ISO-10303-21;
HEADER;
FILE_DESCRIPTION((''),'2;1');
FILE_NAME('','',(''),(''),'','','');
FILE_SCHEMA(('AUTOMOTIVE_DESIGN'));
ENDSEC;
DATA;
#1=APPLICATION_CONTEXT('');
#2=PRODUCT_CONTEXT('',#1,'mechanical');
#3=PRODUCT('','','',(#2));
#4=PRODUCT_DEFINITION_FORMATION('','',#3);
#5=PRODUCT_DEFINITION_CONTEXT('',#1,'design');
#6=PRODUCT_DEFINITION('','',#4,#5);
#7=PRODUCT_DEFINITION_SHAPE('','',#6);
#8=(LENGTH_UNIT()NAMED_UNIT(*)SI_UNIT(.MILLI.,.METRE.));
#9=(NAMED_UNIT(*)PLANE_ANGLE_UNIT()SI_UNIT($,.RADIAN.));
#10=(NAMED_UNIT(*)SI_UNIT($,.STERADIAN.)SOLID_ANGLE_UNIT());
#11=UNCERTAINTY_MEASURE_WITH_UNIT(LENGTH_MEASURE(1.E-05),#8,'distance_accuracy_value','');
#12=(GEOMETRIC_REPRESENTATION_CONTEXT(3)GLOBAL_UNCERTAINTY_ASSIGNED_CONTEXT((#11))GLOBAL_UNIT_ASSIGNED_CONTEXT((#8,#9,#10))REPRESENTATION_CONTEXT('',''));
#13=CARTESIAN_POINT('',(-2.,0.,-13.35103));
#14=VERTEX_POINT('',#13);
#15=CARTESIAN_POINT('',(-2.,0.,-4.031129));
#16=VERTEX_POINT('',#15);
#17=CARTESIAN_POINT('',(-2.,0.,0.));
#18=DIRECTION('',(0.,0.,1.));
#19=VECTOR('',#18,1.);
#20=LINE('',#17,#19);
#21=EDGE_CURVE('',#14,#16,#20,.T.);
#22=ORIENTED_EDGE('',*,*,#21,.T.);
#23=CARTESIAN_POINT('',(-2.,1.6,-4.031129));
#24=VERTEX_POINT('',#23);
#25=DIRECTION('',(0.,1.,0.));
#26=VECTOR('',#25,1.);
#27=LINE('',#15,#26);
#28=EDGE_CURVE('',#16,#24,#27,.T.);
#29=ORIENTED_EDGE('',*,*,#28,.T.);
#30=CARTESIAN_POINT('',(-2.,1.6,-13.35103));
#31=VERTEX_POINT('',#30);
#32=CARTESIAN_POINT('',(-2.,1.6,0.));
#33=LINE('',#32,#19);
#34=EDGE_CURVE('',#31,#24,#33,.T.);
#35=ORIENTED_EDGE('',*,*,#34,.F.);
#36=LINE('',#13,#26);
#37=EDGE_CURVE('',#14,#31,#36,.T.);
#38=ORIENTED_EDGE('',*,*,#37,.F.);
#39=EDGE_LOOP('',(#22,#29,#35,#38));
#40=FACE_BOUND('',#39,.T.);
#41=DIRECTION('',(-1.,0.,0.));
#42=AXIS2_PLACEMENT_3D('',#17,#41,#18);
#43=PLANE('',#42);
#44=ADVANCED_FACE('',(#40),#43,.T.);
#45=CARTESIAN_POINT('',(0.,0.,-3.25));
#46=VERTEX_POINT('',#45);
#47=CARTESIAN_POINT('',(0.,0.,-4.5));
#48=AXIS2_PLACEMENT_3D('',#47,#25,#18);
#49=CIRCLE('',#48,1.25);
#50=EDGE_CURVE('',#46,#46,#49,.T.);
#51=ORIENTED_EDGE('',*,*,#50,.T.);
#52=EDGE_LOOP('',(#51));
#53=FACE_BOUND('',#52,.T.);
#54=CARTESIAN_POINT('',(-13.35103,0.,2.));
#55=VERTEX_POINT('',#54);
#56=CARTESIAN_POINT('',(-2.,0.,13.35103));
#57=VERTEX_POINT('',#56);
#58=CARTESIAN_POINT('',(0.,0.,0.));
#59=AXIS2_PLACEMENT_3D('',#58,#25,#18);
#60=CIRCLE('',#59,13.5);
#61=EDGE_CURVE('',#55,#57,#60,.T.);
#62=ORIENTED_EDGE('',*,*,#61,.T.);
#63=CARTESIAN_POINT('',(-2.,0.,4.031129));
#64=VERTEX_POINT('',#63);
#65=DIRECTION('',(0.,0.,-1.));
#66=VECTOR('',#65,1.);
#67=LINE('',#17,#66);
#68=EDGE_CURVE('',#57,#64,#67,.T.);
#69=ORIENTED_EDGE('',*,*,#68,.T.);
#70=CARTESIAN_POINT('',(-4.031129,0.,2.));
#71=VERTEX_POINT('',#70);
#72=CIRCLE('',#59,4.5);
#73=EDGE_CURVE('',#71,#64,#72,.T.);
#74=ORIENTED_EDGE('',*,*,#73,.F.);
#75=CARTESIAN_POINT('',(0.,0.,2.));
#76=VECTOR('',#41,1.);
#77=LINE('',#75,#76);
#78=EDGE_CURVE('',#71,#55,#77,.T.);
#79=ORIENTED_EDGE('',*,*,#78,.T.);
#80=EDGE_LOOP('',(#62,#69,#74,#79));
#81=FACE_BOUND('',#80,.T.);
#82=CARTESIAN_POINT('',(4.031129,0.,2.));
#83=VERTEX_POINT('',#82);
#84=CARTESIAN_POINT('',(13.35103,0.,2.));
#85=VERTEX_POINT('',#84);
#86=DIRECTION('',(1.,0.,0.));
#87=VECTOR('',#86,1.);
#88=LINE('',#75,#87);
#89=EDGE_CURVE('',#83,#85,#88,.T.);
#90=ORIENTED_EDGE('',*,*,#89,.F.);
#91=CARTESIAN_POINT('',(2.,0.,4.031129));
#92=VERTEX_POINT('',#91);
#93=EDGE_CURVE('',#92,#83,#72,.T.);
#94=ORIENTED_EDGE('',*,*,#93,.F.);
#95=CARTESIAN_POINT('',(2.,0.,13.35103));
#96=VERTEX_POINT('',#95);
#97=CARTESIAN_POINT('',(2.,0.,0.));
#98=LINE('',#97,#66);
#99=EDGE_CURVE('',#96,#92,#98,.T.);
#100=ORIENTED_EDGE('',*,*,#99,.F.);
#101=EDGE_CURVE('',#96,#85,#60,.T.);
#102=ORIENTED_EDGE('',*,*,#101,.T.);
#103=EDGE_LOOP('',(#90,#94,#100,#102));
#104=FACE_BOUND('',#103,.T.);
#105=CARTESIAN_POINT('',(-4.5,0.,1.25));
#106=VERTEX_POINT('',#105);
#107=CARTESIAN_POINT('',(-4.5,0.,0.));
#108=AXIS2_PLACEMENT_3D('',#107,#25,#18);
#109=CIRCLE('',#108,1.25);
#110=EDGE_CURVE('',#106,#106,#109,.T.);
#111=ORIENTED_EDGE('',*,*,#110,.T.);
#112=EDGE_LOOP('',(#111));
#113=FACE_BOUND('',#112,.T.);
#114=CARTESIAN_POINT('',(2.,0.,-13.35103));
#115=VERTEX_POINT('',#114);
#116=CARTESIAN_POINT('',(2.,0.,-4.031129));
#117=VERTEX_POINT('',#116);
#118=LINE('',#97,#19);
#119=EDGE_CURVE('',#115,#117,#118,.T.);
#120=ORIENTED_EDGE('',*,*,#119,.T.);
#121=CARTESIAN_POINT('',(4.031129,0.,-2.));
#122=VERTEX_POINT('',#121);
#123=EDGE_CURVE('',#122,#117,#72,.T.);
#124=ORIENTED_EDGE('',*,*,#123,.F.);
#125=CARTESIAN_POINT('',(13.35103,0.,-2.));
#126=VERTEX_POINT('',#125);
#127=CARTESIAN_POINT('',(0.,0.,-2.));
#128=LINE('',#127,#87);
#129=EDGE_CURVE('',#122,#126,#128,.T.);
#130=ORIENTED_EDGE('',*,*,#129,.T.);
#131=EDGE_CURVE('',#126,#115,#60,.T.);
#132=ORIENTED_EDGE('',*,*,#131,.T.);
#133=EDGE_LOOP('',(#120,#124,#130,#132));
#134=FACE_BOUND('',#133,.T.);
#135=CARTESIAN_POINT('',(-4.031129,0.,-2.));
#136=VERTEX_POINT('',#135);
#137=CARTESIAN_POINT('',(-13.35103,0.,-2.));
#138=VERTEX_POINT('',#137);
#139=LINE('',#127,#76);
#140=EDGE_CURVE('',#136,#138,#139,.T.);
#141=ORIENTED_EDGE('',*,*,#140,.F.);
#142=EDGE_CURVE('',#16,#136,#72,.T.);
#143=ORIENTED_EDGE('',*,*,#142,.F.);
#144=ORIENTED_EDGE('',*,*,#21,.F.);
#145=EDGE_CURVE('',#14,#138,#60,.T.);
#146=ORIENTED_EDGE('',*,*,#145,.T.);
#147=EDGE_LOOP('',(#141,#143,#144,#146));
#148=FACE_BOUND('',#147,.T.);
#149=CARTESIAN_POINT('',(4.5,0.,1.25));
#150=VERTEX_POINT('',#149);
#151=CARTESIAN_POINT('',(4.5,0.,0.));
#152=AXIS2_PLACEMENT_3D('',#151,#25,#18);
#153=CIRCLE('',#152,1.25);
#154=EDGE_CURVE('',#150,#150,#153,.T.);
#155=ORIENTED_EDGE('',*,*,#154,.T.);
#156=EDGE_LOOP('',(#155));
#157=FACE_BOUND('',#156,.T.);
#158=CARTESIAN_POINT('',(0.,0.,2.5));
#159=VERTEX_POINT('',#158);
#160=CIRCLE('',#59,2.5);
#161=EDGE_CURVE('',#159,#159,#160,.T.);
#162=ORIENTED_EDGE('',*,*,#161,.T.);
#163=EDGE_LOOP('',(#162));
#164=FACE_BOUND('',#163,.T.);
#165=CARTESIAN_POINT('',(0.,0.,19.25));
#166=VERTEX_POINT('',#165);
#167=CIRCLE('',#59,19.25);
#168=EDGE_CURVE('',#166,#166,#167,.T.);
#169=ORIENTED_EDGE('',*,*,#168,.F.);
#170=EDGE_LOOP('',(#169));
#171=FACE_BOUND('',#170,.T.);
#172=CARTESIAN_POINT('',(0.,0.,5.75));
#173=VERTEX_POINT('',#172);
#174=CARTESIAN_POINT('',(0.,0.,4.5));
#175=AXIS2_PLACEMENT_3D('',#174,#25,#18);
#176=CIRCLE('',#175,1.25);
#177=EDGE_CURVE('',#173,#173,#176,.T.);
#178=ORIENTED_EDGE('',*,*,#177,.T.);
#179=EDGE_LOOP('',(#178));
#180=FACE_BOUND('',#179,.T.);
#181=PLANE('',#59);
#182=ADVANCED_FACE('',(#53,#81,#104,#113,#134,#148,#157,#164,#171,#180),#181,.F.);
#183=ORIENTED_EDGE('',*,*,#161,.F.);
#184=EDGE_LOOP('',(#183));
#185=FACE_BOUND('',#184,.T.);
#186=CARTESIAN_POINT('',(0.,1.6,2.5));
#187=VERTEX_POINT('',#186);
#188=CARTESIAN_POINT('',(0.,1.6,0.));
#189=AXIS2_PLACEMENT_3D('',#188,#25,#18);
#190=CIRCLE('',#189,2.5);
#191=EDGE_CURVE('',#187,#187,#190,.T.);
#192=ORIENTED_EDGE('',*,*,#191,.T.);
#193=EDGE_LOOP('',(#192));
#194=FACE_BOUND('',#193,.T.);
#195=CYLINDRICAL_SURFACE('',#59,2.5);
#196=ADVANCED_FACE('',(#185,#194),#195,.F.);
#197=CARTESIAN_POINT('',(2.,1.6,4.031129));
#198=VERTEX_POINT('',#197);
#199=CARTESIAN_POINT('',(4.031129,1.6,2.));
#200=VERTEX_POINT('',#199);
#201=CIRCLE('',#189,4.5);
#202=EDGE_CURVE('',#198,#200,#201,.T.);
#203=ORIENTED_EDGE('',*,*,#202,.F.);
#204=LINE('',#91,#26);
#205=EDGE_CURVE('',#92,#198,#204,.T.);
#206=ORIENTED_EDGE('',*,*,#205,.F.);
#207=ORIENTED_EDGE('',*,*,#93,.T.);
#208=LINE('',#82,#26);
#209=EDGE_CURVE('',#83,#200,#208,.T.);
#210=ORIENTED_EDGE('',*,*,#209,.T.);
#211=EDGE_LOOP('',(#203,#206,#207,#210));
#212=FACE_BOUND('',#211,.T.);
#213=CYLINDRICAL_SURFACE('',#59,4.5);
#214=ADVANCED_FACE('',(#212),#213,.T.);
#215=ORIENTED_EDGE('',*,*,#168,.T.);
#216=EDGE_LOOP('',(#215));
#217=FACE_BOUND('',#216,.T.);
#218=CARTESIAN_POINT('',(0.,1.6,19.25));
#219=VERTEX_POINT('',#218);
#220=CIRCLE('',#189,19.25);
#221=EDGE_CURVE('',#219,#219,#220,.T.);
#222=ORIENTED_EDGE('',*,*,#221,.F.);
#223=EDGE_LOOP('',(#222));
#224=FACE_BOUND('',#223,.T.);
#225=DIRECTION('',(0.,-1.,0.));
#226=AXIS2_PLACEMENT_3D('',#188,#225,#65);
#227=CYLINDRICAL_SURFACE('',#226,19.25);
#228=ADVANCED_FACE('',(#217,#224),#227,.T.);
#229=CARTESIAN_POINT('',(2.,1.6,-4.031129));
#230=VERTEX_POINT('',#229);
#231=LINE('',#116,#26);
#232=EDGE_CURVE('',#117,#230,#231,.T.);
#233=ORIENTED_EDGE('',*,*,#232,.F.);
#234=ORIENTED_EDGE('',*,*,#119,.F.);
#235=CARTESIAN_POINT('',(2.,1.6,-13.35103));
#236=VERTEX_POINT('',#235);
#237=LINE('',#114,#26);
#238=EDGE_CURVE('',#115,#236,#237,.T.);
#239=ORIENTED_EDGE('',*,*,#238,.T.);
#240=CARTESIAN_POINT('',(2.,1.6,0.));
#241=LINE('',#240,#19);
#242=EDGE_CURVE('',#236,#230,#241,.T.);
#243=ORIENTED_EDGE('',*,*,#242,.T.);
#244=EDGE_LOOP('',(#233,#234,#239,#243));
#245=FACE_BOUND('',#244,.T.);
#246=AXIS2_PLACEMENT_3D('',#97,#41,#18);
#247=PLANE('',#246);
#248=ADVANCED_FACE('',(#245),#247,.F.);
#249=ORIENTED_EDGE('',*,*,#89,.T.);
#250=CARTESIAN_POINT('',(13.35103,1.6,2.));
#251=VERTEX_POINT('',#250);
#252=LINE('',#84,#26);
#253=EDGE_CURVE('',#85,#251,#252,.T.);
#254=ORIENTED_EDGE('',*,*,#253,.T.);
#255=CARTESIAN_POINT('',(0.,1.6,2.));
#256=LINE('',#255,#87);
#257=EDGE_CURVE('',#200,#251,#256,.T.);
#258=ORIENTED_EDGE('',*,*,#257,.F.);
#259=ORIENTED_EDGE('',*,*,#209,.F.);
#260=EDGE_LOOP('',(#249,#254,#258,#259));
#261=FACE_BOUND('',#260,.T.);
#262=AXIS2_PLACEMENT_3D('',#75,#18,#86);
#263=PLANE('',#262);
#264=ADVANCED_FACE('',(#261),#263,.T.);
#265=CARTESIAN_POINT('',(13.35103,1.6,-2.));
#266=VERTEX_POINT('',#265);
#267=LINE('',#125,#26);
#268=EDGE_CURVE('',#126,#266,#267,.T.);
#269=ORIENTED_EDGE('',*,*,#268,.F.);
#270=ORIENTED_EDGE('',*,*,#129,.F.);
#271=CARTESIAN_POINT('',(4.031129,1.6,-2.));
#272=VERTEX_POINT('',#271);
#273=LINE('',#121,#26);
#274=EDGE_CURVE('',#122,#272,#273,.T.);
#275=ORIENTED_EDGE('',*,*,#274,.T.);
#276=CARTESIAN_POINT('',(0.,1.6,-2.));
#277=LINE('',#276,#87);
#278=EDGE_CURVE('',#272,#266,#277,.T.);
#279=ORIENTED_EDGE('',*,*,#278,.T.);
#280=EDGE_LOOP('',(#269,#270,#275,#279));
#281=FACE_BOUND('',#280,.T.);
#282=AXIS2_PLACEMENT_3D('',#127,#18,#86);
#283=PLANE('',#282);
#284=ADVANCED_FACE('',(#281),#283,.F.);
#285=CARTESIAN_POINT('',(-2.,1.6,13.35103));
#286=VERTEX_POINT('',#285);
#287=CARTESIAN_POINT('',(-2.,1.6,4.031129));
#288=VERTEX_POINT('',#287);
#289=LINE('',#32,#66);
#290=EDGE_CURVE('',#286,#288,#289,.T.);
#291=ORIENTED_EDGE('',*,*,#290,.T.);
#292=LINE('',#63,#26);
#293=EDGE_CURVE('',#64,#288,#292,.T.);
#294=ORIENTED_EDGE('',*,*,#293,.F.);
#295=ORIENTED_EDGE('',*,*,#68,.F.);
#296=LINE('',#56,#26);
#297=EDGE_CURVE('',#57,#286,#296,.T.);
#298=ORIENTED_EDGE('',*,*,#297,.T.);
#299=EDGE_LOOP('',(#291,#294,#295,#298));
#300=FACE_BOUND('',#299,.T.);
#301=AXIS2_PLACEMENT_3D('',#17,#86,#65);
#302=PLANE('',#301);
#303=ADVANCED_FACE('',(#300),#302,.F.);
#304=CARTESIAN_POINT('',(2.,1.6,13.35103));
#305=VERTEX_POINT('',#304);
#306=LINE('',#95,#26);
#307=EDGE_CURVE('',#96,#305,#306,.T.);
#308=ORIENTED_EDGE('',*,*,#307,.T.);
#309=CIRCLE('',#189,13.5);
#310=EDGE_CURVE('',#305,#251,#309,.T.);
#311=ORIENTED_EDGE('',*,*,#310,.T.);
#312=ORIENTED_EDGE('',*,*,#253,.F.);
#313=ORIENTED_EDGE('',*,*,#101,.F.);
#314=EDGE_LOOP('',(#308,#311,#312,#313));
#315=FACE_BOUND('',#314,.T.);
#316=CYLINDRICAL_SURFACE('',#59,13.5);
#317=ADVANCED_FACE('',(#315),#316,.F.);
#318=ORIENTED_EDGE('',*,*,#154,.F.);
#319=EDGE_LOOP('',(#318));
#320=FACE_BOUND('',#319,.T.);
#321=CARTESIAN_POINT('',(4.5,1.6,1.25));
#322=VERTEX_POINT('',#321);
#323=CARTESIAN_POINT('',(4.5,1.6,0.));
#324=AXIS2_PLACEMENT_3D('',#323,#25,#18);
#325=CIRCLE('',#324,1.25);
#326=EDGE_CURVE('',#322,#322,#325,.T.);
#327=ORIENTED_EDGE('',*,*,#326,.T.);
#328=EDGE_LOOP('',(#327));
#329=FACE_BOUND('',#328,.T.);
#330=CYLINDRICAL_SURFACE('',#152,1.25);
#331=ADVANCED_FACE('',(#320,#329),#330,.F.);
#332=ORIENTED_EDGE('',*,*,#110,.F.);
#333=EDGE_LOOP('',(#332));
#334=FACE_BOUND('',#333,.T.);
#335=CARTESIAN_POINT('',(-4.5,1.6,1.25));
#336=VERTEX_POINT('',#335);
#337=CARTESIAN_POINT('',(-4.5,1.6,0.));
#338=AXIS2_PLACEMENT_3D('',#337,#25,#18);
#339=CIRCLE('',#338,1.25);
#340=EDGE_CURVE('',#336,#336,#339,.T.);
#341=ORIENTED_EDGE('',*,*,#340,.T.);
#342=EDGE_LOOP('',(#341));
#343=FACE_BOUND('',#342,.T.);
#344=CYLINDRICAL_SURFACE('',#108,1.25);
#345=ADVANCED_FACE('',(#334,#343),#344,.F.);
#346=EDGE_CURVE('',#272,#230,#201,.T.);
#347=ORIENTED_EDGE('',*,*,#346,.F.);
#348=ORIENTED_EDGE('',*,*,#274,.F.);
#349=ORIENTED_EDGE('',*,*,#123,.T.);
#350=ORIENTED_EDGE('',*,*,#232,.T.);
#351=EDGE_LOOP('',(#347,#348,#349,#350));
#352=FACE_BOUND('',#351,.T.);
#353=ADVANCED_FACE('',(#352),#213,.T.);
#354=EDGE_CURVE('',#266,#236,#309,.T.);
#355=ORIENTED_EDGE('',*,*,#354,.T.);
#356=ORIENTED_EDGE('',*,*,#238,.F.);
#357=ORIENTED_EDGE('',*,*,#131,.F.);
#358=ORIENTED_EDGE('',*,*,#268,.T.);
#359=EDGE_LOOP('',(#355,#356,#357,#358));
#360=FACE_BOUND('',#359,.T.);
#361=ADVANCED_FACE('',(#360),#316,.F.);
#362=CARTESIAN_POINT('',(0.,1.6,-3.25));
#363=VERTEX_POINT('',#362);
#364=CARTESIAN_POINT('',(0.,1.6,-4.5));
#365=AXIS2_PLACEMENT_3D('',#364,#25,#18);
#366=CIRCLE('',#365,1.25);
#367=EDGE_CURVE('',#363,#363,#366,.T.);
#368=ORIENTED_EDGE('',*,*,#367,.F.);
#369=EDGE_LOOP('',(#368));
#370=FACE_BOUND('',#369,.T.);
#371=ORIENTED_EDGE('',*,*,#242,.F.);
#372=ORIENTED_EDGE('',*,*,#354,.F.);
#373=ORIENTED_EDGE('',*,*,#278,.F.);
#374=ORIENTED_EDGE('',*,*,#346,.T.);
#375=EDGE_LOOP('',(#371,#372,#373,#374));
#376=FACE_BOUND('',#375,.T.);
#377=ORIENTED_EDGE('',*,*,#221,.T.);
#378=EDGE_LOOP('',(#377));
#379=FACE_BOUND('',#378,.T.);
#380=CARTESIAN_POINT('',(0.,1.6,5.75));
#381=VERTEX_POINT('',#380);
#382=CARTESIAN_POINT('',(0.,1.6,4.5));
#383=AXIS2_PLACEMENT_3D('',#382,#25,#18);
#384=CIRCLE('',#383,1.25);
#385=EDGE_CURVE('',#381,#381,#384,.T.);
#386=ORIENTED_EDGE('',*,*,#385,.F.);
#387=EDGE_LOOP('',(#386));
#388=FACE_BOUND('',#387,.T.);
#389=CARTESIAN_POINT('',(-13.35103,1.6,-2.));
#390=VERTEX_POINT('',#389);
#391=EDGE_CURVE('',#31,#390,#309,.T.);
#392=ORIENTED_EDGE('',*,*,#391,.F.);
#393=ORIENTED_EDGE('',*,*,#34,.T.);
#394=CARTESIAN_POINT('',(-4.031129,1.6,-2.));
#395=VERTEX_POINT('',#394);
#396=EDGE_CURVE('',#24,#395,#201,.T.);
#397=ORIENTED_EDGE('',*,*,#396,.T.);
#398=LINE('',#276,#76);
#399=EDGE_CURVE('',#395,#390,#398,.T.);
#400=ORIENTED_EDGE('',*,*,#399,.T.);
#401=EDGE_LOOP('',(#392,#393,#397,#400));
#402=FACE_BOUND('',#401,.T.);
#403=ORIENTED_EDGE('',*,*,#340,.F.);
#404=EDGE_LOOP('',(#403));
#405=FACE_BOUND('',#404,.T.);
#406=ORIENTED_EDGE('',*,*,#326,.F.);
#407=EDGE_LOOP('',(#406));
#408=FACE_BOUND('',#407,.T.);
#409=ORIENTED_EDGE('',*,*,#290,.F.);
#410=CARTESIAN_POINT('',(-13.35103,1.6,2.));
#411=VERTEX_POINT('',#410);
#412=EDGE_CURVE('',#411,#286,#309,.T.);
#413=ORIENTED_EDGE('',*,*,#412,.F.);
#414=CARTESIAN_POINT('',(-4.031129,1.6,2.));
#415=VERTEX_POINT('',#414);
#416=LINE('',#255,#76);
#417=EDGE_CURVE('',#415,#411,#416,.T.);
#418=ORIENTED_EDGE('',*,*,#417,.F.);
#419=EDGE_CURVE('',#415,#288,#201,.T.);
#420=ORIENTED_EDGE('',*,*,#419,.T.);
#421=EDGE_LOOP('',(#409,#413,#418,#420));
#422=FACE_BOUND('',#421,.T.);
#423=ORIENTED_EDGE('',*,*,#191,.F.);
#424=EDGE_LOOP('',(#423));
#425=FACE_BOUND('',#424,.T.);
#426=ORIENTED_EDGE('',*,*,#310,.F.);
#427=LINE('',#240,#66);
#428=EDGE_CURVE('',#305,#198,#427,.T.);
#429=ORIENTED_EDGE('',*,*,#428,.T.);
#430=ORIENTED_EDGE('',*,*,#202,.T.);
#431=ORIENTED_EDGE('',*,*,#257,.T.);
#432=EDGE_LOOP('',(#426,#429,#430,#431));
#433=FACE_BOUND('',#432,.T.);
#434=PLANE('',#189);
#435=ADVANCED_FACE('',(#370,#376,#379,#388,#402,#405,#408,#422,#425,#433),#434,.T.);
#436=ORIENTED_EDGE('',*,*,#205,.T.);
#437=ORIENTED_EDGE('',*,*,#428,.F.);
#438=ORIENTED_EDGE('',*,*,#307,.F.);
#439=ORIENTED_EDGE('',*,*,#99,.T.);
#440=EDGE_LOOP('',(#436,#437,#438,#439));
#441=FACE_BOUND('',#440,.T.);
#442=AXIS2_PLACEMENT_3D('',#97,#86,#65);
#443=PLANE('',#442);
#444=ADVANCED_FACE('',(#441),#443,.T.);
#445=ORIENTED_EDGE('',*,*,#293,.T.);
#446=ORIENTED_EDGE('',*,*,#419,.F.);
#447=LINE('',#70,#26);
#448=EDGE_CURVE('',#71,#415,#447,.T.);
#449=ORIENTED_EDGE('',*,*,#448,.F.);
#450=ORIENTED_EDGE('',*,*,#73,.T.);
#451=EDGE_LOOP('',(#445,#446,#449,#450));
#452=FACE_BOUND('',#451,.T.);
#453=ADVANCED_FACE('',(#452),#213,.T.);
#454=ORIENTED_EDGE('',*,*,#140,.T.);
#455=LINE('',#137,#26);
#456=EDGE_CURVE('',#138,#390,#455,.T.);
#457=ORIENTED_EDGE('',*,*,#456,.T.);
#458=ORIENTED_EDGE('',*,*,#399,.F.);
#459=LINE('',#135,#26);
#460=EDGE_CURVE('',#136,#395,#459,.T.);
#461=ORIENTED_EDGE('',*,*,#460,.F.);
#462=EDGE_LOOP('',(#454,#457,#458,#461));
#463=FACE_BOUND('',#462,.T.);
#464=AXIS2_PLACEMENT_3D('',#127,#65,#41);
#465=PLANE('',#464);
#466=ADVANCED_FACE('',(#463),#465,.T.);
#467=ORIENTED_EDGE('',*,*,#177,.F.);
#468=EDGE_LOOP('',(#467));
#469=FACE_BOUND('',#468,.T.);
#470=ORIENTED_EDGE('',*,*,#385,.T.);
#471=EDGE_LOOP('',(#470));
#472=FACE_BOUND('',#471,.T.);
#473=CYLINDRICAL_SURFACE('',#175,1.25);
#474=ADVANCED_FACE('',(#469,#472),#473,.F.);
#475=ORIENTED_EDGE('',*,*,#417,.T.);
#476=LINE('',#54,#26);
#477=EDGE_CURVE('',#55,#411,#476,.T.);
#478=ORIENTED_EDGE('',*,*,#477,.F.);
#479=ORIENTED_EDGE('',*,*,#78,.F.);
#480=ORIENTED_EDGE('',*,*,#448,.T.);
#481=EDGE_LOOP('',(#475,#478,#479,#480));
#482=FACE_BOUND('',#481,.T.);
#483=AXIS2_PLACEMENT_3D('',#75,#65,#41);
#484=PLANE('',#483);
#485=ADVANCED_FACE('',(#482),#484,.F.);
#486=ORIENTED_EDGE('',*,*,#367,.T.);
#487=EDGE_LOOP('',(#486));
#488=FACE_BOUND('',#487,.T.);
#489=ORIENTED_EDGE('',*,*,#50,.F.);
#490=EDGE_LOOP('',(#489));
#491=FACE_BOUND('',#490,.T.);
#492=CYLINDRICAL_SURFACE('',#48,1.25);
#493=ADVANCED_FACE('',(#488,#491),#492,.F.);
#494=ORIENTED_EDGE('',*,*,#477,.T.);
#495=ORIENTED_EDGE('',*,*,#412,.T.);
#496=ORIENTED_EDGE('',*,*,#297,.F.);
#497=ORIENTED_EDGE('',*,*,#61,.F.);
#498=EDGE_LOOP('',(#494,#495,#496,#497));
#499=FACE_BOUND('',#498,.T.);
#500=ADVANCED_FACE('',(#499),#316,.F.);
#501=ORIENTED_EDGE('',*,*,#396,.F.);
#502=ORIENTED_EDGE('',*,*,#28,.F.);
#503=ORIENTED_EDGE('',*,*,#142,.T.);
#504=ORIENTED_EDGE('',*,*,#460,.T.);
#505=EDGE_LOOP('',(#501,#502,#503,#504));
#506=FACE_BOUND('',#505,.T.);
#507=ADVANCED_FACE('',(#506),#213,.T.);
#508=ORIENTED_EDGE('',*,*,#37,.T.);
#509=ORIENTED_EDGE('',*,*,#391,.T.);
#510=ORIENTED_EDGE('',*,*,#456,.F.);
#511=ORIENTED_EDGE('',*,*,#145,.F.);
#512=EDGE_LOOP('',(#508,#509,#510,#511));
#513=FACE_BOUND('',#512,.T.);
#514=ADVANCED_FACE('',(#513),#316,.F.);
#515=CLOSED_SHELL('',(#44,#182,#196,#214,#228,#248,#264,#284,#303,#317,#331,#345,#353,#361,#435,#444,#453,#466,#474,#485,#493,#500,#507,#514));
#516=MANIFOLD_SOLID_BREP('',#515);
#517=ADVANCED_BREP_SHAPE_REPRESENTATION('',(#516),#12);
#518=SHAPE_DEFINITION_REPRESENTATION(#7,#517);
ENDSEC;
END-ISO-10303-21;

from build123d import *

# Parameters (mm, degrees)
CROQUIS1_R              = 19.25
SALIENTE_EXTRUIR1_DEPTH = 1.6
CROQUIS2_R              = 2.5
CROQUIS2_R_2            = 1.25
CORTAR_EXTRUIR1_DEPTH   = 1.6
CORTAR_EXTRUIR2_DEPTH   = 1.6


with BuildPart() as part:
    # Croquis1 → Saliente-Extruir1 (new body)
    with BuildSketch(Plane(origin=(0, 0, 0), x_dir=(1, 0, 0), z_dir=(0, 1, 0))):
        with Locations(Location((0, 0, 0), (0, 0, 270))):
            Circle(CROQUIS1_R)
    extrude(amount=SALIENTE_EXTRUIR1_DEPTH)

    # Croquis2 → Cortar-Extruir1 (cut)
    with BuildSketch(Plane(origin=(0, 1.6, 0), x_dir=(1, 0, 0), z_dir=(0, 1, 0))):
        with Locations(Location((0, 0, 0), (0, 0, 270))):
            Circle(CROQUIS2_R)
        with Locations(Location((0, 4.5, 0), (0, 0, 270))):
            Circle(CROQUIS2_R_2)
        with Locations(Location((4.5, 0, 0), (0, 0, 270))):
            Circle(CROQUIS2_R_2)
        with Locations(Location((0, -4.5, 0), (0, 0, 270))):
            Circle(CROQUIS2_R_2)
        with Locations(Location((-4.5, 0, 0), (0, 0, 270))):
            Circle(CROQUIS2_R_2)
    extrude(amount=-CORTAR_EXTRUIR1_DEPTH, mode=Mode.SUBTRACT)

    # Croquis3 → Cortar-Extruir2 (cut)
    with BuildSketch(Plane(origin=(0, 1.6, 0), x_dir=(1, 0, 0), z_dir=(0, 1, 0))):
        with BuildLine():
            Line((-2, 4.031128874), (-2, 13.351029923))
            ThreePointArc((-2, 13.351029923), (-9.545941546, 9.545941546), (-13.351029923, 2))
            Line((-13.351029923, 2), (-4.031128874, 2))
            ThreePointArc((-4.031128874, 2), (-3.181980515, 3.181980515), (-2, 4.031128874))
        make_face()
        with BuildLine():
            ThreePointArc((13.351029923, 2), (9.545941546, 9.545941546), (2, 13.351029923))
            Line((2, 13.351029923), (2, 4.031128874))
            ThreePointArc((2, 4.031128874), (3.181980515, 3.181980515), (4.031128874, 2))
            Line((4.031128874, 2), (13.351029923, 2))
        make_face()
        with BuildLine():
            ThreePointArc((2, -13.351029923), (9.545941546, -9.545941546), (13.351029923, -2))
            Line((13.351029923, -2), (4.031128874, -2))
            ThreePointArc((4.031128874, -2), (3.181980515, -3.181980515), (2, -4.031128874))
            Line((2, -4.031128874), (2, -13.351029923))
        make_face()
        with BuildLine():
            Line((-4.031128874, -2), (-13.351029923, -2))
            ThreePointArc((-13.351029923, -2), (-9.545941546, -9.545941546), (-2, -13.351029923))
            Line((-2, -13.351029923), (-2, -4.031128874))
            ThreePointArc((-2, -4.031128874), (-3.181980515, -3.181980515), (-4.031128874, -2))
        make_face()
    extrude(amount=-CORTAR_EXTRUIR2_DEPTH, mode=Mode.SUBTRACT)


solid = part.part
